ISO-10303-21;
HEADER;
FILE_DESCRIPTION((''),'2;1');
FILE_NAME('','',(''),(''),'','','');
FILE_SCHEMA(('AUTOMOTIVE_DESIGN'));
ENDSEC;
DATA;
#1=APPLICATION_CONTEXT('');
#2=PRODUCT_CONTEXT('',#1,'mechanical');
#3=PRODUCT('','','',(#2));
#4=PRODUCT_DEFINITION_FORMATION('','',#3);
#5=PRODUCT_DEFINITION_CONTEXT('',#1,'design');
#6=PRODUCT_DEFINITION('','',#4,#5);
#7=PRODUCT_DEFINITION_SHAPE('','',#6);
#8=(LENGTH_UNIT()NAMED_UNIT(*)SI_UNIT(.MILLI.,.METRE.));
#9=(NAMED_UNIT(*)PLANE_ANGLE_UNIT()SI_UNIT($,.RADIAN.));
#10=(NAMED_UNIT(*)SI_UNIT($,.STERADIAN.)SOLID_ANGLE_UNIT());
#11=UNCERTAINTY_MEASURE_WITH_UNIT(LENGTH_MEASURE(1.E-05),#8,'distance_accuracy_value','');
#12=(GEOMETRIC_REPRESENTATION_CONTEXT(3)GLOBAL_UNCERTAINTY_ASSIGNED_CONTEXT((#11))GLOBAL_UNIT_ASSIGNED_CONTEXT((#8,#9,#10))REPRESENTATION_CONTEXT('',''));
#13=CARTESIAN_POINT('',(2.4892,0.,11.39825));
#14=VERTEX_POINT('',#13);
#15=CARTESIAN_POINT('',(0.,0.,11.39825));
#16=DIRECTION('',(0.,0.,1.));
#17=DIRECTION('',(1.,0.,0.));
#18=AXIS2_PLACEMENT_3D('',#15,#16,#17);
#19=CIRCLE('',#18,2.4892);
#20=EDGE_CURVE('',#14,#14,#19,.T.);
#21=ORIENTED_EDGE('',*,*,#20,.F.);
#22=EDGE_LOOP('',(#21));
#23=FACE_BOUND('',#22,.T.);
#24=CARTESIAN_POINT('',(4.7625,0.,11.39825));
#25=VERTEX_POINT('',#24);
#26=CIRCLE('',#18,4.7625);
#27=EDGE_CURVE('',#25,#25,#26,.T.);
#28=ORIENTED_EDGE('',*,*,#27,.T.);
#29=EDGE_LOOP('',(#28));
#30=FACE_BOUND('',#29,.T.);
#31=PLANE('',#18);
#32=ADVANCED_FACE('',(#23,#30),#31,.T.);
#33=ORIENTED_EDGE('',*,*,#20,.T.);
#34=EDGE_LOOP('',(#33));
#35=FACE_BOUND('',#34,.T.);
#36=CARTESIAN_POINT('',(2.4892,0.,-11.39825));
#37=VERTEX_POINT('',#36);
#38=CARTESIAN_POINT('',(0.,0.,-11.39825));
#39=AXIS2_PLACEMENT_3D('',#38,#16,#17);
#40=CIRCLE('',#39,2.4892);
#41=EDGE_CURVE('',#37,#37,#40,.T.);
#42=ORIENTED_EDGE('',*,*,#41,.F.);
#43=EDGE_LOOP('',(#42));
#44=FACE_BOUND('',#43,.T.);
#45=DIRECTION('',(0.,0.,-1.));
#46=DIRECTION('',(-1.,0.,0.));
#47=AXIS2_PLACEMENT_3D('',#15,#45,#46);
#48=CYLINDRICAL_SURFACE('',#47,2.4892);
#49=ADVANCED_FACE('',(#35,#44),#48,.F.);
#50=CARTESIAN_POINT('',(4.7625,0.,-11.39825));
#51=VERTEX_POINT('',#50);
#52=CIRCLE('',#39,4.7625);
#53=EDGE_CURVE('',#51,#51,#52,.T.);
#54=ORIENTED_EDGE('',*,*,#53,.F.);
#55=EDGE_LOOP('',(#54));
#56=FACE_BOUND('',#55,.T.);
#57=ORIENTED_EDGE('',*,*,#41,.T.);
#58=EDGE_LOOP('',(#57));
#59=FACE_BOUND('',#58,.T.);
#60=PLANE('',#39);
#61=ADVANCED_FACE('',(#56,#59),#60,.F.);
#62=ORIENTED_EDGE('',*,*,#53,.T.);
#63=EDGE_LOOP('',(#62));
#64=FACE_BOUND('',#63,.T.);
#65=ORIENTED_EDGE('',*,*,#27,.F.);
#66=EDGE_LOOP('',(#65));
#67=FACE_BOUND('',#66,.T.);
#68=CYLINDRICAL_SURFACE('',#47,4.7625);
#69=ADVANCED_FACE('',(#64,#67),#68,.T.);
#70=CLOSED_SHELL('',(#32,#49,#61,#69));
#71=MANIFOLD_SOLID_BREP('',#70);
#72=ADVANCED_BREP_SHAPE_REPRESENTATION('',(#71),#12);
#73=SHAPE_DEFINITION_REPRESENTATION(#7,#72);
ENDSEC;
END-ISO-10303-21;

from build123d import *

# Parameters (mm, degrees)
SKETCH1_R           = 4.7625
SKETCH1_R_2         = 2.4892
BOSS_EXTRUDE1_DEPTH = 11.39825


with BuildPart() as part:
    # Sketch1 → Boss-Extrude1 (new, symmetric)
    with BuildSketch(Plane.XY):
        Circle(SKETCH1_R)
        Circle(SKETCH1_R_2, mode=Mode.SUBTRACT)
    extrude(amount=BOSS_EXTRUDE1_DEPTH, both=True)


solid = part.part
